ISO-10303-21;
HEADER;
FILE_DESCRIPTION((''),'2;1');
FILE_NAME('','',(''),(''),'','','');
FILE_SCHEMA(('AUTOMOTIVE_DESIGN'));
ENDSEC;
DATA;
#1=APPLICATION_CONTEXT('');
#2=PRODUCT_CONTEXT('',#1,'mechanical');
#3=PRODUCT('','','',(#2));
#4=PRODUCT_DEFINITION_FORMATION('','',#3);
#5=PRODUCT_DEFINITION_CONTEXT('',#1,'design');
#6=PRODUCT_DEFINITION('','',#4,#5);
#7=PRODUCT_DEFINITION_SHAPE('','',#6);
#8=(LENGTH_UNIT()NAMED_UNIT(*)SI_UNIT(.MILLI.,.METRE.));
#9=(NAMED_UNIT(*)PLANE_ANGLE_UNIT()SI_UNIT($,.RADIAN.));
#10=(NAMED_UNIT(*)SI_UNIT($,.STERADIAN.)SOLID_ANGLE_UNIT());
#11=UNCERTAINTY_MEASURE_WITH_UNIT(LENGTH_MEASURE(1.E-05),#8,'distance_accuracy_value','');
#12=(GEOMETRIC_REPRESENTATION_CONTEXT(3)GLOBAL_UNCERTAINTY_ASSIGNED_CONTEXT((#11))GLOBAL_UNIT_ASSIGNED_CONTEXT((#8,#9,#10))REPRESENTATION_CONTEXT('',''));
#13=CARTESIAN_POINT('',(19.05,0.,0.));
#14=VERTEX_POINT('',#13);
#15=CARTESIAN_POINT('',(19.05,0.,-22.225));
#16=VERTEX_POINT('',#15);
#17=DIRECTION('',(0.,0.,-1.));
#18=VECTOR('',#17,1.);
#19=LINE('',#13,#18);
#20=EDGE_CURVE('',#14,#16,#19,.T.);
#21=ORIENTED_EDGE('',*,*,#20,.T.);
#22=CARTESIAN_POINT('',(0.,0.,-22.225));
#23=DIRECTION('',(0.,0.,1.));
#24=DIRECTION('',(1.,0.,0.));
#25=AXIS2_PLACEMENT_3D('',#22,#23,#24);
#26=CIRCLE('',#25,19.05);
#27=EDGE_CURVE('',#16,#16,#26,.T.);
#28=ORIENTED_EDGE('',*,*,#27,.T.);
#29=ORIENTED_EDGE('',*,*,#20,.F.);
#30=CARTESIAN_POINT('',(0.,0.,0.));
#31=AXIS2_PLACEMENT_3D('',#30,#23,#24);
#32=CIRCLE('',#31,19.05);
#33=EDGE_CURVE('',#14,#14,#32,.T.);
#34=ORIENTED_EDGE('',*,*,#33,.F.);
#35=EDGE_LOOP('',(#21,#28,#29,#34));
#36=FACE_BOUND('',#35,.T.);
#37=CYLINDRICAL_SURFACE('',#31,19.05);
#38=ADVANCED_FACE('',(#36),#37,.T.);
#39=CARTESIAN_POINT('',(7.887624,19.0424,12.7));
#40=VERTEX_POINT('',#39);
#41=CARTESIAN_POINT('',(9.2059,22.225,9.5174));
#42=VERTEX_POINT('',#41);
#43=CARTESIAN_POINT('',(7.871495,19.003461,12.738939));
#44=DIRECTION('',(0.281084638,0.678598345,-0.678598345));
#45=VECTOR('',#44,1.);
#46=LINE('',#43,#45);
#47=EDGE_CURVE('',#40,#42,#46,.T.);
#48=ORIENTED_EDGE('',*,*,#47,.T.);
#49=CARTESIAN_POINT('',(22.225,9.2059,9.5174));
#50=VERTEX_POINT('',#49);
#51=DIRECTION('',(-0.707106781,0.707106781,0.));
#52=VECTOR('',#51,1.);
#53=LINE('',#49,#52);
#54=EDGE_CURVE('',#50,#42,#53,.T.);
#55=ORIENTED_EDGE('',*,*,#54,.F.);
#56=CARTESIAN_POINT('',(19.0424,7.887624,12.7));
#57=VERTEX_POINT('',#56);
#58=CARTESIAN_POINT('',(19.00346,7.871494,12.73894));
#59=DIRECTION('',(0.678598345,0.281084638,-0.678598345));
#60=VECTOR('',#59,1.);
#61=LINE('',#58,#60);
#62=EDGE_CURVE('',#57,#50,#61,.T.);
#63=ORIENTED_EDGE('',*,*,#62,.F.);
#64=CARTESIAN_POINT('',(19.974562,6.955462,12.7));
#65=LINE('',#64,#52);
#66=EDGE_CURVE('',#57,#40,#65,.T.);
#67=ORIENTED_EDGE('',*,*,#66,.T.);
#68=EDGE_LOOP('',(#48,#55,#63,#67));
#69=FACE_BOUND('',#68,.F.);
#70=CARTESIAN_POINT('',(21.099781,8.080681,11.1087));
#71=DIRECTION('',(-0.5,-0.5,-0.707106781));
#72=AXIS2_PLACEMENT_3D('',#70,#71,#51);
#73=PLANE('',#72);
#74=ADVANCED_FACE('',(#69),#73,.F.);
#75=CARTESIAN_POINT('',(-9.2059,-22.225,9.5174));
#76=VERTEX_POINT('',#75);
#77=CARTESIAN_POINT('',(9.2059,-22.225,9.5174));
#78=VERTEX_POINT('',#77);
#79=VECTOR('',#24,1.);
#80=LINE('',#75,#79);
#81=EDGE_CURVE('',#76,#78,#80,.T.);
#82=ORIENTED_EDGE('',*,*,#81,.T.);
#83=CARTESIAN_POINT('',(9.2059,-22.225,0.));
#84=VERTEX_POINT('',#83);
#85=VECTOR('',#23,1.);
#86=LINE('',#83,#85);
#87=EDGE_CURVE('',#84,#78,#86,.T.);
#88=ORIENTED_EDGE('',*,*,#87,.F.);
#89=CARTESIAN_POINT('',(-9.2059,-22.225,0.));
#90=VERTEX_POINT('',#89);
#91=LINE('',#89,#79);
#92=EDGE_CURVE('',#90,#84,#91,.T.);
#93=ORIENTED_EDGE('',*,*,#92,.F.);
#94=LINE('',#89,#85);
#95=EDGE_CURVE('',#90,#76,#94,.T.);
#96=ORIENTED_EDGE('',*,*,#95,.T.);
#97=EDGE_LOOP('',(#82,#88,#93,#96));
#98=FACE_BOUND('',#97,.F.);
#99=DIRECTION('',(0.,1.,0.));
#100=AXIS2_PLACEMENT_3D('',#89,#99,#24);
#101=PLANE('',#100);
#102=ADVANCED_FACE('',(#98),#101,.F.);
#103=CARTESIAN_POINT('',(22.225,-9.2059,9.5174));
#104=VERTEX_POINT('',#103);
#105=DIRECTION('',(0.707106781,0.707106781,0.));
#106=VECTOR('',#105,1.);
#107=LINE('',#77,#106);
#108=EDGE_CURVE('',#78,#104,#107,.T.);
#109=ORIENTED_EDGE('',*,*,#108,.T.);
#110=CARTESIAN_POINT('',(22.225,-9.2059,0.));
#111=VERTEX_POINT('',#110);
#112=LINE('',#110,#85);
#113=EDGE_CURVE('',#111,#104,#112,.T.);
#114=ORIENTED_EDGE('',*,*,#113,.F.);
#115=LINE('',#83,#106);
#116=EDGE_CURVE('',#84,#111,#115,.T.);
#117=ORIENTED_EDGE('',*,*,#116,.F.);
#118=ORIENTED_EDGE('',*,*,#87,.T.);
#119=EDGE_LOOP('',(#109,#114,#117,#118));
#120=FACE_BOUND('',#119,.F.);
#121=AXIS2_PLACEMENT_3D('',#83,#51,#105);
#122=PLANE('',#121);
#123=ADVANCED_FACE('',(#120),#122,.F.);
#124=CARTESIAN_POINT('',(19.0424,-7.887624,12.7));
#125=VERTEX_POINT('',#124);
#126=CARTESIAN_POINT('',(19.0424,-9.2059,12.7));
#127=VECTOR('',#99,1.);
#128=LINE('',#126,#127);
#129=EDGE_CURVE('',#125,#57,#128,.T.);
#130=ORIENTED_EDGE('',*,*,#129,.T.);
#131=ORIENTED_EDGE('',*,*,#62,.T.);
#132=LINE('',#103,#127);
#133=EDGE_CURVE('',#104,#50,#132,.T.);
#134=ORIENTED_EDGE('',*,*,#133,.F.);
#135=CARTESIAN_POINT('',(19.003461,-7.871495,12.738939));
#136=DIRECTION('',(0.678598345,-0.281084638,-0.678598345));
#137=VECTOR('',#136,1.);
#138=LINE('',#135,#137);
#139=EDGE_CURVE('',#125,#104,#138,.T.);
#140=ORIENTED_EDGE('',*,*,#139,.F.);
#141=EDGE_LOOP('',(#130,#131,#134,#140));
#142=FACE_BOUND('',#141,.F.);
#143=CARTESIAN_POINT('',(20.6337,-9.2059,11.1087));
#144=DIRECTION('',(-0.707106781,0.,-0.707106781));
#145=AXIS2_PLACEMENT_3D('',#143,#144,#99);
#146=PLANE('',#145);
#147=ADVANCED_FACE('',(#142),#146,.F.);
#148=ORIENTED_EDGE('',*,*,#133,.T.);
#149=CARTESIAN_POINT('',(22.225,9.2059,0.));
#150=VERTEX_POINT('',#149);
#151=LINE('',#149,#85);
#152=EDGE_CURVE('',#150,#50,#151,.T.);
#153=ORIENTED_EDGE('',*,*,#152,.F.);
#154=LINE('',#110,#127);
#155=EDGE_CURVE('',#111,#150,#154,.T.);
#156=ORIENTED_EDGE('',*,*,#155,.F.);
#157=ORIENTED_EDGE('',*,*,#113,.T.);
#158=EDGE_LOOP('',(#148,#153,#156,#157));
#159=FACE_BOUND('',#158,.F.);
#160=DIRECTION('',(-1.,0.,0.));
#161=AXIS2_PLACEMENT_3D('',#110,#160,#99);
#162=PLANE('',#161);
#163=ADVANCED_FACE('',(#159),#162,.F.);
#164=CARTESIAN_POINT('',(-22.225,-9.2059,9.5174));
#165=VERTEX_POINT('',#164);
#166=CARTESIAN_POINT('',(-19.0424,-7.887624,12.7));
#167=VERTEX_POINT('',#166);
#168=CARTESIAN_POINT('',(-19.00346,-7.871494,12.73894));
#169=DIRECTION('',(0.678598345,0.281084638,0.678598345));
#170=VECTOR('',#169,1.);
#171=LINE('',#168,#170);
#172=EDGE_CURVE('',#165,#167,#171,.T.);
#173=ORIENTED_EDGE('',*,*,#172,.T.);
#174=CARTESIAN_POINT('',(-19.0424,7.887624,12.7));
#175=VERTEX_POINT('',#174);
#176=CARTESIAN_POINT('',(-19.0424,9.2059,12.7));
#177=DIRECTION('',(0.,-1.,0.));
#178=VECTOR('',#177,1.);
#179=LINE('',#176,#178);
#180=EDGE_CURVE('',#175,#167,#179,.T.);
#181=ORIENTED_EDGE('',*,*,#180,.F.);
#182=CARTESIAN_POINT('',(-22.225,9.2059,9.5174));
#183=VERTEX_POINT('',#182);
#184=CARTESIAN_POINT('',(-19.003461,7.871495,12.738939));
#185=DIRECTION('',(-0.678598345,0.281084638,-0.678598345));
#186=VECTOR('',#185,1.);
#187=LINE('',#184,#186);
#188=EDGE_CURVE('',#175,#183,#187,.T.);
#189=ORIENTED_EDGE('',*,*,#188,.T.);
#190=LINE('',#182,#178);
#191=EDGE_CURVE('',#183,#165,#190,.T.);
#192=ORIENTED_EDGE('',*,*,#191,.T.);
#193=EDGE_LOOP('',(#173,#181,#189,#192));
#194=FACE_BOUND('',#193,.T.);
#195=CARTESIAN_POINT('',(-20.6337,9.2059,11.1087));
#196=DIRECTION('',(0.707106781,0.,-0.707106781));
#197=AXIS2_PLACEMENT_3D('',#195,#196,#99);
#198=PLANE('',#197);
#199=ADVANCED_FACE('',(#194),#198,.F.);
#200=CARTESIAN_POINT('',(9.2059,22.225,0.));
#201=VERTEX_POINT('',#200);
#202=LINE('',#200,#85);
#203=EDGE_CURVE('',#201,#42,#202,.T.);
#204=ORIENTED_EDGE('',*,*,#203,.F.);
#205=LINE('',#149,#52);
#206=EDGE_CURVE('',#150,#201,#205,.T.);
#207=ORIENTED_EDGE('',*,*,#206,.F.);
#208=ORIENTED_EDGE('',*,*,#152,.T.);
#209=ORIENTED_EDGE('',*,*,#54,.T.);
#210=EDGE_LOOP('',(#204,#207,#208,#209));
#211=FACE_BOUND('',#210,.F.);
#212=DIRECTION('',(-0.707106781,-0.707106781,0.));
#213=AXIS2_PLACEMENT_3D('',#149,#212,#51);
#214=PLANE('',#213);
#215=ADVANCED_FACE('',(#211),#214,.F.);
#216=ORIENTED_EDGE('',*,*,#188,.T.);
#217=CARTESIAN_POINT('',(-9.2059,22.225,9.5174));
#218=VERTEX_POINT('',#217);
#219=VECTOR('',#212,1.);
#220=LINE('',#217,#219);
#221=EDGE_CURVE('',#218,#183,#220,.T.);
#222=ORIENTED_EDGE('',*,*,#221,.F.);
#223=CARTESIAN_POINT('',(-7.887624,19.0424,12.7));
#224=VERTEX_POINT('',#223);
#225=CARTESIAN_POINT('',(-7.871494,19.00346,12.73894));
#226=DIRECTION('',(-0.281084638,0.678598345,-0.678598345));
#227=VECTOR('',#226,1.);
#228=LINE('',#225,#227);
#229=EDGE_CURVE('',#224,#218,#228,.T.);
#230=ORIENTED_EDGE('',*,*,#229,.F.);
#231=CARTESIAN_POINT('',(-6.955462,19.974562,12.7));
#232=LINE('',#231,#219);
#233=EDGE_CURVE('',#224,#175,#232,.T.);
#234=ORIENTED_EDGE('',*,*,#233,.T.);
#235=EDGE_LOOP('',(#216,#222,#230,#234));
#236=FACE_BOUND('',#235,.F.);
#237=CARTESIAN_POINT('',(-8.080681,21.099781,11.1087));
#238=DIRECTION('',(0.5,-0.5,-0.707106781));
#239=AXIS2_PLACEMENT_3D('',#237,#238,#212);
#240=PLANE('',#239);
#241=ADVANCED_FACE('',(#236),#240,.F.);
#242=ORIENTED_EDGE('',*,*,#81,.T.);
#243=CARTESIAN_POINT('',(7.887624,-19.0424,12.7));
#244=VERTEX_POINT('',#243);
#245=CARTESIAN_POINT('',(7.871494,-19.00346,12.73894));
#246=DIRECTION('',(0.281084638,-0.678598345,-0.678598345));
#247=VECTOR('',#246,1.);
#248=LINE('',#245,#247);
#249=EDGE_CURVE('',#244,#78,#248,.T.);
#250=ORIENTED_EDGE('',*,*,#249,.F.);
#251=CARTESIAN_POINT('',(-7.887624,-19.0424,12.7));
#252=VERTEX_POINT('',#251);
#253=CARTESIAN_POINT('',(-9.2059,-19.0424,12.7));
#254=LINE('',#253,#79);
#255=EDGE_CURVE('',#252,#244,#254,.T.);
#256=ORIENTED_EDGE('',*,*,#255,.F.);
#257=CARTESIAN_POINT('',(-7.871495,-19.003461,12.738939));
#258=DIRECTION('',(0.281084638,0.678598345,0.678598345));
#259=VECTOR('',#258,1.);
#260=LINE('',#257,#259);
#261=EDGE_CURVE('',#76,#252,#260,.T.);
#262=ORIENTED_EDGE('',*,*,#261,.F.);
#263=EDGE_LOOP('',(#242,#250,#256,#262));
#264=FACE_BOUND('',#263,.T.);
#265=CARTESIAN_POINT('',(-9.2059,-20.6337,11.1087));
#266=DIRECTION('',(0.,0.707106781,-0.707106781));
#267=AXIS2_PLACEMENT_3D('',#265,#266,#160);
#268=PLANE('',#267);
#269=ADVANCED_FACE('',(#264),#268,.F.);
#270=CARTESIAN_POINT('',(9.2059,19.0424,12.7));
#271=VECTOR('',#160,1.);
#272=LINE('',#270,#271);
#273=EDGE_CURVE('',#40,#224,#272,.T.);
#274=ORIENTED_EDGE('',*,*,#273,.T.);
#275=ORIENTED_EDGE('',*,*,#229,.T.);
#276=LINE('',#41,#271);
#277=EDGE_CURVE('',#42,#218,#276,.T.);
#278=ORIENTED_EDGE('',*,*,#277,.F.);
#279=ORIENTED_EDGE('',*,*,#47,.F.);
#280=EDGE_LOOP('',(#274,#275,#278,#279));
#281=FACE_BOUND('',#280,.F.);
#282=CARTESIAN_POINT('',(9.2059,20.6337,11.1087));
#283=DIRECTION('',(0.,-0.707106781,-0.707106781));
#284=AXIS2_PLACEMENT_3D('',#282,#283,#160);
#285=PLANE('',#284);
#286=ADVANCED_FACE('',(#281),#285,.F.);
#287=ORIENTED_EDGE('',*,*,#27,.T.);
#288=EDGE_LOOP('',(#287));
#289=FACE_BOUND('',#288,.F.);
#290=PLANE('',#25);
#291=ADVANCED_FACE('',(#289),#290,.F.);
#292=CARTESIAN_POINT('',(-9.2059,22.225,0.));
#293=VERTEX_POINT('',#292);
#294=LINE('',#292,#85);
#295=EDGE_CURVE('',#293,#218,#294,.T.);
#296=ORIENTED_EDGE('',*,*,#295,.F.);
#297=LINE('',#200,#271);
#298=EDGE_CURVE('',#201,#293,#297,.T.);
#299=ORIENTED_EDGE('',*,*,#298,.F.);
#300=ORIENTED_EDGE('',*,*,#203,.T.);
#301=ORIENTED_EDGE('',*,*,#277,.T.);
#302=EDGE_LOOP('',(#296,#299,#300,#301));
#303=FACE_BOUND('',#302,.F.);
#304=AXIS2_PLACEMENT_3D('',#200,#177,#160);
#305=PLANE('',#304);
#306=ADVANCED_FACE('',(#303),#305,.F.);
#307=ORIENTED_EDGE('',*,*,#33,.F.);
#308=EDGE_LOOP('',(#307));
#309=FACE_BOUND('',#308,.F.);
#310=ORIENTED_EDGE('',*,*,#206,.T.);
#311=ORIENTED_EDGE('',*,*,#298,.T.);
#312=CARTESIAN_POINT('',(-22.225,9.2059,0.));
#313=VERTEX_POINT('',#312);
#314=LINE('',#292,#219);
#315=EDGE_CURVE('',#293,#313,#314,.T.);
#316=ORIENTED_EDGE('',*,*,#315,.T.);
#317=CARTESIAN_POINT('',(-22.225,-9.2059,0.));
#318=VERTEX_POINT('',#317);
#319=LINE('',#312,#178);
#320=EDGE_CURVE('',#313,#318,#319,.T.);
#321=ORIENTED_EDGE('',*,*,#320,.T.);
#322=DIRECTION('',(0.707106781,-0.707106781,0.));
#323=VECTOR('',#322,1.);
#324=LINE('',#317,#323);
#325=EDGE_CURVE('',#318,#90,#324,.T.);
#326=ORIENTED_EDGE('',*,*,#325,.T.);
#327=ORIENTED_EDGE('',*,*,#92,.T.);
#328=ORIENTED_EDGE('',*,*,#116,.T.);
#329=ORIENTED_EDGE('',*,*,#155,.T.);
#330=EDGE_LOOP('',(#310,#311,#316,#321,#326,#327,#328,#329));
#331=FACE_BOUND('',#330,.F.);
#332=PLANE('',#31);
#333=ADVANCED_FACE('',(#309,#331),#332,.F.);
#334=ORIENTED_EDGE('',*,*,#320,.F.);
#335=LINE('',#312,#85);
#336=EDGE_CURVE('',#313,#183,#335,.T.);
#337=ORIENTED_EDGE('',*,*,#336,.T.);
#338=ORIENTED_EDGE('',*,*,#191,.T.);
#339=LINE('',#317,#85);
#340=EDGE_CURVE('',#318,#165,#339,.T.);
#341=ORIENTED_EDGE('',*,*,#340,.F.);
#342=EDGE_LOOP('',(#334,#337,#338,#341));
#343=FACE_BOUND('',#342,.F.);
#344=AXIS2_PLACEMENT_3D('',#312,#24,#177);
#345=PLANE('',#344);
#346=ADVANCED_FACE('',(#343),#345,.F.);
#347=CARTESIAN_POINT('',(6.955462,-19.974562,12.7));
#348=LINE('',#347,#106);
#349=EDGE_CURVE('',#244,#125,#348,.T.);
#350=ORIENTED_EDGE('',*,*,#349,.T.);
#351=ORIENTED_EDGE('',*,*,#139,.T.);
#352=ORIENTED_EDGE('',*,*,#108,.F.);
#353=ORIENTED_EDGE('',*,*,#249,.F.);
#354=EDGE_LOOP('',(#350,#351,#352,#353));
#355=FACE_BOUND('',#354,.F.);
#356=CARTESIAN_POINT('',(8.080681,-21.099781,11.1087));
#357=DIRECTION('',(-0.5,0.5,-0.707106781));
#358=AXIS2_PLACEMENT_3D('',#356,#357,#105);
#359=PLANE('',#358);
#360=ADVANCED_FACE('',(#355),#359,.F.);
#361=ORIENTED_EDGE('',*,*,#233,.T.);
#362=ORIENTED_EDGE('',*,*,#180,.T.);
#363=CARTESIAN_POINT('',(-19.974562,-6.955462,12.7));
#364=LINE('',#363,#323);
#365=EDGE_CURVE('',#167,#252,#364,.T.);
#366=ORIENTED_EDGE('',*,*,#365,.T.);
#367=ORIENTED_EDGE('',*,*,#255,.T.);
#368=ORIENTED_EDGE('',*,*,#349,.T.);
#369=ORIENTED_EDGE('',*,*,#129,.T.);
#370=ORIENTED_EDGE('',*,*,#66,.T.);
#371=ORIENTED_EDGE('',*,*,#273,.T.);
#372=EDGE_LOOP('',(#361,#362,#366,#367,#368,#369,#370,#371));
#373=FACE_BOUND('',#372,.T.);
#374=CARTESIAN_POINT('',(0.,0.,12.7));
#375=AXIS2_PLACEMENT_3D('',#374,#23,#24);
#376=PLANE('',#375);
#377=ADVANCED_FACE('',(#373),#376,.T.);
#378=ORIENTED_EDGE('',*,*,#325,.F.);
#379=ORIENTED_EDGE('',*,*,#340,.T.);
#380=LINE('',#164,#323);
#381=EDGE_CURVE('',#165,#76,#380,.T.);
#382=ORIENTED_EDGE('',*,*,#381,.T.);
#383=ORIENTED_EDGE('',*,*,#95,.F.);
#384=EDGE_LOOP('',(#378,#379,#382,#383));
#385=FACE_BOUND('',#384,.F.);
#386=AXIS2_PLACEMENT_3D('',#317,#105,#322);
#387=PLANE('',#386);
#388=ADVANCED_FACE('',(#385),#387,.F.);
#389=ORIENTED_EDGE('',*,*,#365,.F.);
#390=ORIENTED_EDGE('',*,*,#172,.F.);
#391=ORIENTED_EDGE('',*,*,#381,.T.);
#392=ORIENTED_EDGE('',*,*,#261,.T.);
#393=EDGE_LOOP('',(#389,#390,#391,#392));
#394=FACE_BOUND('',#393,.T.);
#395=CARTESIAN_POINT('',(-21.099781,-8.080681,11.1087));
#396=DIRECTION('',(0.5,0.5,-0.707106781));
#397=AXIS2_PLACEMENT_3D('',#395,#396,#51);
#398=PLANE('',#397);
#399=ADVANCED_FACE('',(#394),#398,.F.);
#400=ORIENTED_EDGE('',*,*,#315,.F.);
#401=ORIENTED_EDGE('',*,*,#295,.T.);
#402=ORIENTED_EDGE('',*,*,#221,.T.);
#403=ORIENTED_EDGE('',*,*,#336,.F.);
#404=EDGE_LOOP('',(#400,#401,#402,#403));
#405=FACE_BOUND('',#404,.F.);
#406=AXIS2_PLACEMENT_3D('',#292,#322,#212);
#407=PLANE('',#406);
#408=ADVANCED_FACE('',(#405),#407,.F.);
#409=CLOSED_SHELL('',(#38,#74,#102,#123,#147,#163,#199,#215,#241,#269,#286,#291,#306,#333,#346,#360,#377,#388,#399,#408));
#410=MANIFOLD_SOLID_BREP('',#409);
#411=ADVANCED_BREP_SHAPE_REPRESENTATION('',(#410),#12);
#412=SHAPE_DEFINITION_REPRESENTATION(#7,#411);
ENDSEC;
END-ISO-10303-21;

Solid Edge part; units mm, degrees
sketch "Sketch1" plane through (0, 0, 0) normal (0, 0, 1) x (1, 0, 0)
  circle A0 centre (0, 0) radius 19.05
extrude "Protrusion1" add sketch "Sketch1" against normal blind 22.225
sketch "Sketch2" plane through (0, 0, 0) normal (0, 0, 1) x (1, 0, 0)
  line L0 (-22.225, -9.2059) -> (-9.2059, -22.225)
  line L1 (-9.2059, -22.225) -> (9.2059, -22.225)
  line L2 (9.2059, -22.225) -> (22.225, -9.2059)
  line L3 (22.225, -9.2059) -> (22.225, 9.2059)
  line L4 (22.225, 9.2059) -> (9.2059, 22.225)
  line L5 (9.2059, 22.225) -> (-9.2059, 22.225)
  line L6 (-9.2059, 22.225) -> (-22.225, 9.2059)
  line L7 (-22.225, 9.2059) -> (-22.225, -9.2059)
extrude "ExtrudedProtrusion_2" add sketch "Sketch2" along normal blind 12.7
chamfer "Chamfer_1" distance 3.1826 angle 45 8 edges at (15.7154, -15.7154, 12.7) (22.225, 0, 12.7) (15.7154, 15.7154, 12.7) (0, 22.225, 12.7) (-15.7154, 15.7154, 12.7) (-22.225, 0, 12.7) (-15.7154, -15.7154, 12.7) (0, -22.225, 12.7)
